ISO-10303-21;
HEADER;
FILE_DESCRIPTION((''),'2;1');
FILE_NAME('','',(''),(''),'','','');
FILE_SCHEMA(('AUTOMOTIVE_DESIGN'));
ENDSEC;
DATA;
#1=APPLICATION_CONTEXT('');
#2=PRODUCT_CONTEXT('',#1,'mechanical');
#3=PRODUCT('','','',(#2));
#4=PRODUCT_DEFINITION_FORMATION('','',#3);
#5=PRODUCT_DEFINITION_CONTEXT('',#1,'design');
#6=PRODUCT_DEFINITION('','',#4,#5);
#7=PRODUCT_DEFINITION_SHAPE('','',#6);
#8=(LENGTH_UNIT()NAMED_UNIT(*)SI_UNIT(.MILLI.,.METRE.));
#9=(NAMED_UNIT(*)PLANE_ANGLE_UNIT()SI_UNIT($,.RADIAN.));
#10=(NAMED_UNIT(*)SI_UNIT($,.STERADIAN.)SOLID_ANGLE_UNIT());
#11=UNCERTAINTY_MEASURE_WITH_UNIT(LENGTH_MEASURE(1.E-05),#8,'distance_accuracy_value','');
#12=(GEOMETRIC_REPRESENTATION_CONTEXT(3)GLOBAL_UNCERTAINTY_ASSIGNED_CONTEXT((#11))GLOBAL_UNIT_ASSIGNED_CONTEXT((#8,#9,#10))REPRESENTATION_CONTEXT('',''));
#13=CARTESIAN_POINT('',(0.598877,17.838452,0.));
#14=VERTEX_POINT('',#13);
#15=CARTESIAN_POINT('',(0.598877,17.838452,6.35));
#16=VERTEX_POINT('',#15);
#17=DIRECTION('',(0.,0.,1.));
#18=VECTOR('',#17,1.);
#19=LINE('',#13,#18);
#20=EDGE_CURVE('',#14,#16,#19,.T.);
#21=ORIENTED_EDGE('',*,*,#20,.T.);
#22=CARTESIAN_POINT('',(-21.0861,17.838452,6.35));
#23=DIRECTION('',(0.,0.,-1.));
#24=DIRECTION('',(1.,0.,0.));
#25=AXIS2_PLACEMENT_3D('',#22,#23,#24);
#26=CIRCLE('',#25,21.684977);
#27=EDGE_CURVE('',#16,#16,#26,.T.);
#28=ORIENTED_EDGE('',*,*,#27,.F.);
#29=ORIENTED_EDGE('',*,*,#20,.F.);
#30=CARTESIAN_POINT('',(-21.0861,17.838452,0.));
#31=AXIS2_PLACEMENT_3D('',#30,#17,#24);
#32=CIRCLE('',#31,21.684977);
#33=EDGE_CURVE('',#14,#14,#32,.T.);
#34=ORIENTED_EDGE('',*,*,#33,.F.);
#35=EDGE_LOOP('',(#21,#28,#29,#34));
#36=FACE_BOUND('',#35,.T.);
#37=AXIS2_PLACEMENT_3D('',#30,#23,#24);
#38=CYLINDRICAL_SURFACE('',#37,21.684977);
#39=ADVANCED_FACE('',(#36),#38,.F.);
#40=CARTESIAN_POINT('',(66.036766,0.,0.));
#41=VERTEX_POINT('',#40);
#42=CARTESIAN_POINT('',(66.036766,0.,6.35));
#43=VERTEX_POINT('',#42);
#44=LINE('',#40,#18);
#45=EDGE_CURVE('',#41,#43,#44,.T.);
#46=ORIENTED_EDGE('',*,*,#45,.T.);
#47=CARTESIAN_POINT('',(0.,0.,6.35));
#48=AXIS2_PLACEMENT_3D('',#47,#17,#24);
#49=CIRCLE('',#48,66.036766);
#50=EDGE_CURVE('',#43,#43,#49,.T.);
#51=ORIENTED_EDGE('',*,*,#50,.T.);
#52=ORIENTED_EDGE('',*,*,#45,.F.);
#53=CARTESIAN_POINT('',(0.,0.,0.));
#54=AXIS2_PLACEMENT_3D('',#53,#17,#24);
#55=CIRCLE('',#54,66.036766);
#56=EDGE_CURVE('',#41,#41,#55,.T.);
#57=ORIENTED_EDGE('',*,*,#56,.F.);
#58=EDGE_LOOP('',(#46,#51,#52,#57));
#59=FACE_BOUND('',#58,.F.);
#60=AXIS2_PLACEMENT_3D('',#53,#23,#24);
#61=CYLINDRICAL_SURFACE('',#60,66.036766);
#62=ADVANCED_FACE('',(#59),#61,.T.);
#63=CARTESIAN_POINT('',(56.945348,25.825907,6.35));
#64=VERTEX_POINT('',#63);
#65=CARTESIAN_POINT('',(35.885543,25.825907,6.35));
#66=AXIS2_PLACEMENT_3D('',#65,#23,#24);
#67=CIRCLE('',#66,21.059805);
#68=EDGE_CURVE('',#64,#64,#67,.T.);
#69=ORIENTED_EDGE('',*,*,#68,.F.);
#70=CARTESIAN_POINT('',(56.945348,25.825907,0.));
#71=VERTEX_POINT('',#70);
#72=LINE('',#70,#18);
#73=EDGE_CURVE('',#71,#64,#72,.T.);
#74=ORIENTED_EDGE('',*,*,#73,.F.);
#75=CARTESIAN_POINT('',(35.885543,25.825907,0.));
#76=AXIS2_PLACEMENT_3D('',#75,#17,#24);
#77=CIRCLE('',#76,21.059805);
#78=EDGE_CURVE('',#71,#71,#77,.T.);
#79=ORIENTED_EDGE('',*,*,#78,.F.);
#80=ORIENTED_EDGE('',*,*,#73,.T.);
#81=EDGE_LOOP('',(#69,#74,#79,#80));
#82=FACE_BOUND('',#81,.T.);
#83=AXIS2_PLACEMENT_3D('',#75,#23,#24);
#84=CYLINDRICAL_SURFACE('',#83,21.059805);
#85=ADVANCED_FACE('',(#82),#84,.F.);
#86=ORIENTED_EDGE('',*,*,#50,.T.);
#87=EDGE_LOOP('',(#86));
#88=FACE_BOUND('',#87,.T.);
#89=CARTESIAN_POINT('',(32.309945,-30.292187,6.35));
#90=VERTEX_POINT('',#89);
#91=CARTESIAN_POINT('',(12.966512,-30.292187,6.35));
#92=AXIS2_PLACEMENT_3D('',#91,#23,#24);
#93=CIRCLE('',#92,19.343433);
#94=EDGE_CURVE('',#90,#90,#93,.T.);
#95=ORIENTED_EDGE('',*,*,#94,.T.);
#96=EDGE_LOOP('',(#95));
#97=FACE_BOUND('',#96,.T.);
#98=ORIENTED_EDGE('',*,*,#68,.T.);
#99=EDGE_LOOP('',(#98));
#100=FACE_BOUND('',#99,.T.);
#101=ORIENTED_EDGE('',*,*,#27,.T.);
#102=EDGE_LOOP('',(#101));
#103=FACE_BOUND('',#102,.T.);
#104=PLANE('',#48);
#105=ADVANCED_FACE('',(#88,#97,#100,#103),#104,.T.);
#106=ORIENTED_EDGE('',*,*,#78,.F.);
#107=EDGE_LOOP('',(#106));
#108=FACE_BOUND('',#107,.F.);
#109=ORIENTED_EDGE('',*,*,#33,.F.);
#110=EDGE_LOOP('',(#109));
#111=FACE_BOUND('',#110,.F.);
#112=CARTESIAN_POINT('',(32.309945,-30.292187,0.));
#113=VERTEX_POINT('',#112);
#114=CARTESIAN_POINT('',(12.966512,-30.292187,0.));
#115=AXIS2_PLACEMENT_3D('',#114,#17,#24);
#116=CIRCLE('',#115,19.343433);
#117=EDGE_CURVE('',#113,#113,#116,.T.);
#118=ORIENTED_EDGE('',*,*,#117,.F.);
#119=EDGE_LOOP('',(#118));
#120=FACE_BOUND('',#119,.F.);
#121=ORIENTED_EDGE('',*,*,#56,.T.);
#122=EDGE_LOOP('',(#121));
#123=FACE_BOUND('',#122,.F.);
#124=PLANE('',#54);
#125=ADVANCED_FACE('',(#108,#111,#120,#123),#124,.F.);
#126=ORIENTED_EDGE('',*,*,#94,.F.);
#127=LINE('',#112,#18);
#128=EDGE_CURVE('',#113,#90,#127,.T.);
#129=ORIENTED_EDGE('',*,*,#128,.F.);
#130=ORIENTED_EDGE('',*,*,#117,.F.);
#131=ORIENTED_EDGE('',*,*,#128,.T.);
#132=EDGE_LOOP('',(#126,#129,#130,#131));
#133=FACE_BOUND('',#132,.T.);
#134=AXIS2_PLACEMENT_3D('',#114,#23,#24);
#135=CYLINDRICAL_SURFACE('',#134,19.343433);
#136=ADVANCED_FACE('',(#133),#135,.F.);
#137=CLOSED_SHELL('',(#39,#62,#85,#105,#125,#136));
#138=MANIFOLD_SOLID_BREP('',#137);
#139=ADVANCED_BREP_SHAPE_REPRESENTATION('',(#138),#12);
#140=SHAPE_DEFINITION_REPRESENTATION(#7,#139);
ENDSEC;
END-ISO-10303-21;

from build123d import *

# Parameters (mm, degrees)
F0_R     = 66.036766
F1_DEPTH = 6.35
F2_R     = 21.684977
F2_R_2   = 21.059805
F2_R_3   = 19.343433
F3_DEPTH = 6.351


with BuildPart() as f1:
    # F0 (on Top) → F1 (new body)
    with BuildSketch(Plane.XY):
        Circle(F0_R)
    extrude(amount=F1_DEPTH)

    # F2 (on Top) → F3 (cut, through all)
    with BuildSketch(Plane.XY):
        with Locations((-21.0861, 17.838452)):
            Circle(F2_R)
        with Locations((35.885543, 25.825907)):
            Circle(F2_R_2)
        with Locations((12.966512, -30.292187)):
            Circle(F2_R_3)
    extrude(amount=F3_DEPTH, mode=Mode.SUBTRACT)


solid = f1.part
